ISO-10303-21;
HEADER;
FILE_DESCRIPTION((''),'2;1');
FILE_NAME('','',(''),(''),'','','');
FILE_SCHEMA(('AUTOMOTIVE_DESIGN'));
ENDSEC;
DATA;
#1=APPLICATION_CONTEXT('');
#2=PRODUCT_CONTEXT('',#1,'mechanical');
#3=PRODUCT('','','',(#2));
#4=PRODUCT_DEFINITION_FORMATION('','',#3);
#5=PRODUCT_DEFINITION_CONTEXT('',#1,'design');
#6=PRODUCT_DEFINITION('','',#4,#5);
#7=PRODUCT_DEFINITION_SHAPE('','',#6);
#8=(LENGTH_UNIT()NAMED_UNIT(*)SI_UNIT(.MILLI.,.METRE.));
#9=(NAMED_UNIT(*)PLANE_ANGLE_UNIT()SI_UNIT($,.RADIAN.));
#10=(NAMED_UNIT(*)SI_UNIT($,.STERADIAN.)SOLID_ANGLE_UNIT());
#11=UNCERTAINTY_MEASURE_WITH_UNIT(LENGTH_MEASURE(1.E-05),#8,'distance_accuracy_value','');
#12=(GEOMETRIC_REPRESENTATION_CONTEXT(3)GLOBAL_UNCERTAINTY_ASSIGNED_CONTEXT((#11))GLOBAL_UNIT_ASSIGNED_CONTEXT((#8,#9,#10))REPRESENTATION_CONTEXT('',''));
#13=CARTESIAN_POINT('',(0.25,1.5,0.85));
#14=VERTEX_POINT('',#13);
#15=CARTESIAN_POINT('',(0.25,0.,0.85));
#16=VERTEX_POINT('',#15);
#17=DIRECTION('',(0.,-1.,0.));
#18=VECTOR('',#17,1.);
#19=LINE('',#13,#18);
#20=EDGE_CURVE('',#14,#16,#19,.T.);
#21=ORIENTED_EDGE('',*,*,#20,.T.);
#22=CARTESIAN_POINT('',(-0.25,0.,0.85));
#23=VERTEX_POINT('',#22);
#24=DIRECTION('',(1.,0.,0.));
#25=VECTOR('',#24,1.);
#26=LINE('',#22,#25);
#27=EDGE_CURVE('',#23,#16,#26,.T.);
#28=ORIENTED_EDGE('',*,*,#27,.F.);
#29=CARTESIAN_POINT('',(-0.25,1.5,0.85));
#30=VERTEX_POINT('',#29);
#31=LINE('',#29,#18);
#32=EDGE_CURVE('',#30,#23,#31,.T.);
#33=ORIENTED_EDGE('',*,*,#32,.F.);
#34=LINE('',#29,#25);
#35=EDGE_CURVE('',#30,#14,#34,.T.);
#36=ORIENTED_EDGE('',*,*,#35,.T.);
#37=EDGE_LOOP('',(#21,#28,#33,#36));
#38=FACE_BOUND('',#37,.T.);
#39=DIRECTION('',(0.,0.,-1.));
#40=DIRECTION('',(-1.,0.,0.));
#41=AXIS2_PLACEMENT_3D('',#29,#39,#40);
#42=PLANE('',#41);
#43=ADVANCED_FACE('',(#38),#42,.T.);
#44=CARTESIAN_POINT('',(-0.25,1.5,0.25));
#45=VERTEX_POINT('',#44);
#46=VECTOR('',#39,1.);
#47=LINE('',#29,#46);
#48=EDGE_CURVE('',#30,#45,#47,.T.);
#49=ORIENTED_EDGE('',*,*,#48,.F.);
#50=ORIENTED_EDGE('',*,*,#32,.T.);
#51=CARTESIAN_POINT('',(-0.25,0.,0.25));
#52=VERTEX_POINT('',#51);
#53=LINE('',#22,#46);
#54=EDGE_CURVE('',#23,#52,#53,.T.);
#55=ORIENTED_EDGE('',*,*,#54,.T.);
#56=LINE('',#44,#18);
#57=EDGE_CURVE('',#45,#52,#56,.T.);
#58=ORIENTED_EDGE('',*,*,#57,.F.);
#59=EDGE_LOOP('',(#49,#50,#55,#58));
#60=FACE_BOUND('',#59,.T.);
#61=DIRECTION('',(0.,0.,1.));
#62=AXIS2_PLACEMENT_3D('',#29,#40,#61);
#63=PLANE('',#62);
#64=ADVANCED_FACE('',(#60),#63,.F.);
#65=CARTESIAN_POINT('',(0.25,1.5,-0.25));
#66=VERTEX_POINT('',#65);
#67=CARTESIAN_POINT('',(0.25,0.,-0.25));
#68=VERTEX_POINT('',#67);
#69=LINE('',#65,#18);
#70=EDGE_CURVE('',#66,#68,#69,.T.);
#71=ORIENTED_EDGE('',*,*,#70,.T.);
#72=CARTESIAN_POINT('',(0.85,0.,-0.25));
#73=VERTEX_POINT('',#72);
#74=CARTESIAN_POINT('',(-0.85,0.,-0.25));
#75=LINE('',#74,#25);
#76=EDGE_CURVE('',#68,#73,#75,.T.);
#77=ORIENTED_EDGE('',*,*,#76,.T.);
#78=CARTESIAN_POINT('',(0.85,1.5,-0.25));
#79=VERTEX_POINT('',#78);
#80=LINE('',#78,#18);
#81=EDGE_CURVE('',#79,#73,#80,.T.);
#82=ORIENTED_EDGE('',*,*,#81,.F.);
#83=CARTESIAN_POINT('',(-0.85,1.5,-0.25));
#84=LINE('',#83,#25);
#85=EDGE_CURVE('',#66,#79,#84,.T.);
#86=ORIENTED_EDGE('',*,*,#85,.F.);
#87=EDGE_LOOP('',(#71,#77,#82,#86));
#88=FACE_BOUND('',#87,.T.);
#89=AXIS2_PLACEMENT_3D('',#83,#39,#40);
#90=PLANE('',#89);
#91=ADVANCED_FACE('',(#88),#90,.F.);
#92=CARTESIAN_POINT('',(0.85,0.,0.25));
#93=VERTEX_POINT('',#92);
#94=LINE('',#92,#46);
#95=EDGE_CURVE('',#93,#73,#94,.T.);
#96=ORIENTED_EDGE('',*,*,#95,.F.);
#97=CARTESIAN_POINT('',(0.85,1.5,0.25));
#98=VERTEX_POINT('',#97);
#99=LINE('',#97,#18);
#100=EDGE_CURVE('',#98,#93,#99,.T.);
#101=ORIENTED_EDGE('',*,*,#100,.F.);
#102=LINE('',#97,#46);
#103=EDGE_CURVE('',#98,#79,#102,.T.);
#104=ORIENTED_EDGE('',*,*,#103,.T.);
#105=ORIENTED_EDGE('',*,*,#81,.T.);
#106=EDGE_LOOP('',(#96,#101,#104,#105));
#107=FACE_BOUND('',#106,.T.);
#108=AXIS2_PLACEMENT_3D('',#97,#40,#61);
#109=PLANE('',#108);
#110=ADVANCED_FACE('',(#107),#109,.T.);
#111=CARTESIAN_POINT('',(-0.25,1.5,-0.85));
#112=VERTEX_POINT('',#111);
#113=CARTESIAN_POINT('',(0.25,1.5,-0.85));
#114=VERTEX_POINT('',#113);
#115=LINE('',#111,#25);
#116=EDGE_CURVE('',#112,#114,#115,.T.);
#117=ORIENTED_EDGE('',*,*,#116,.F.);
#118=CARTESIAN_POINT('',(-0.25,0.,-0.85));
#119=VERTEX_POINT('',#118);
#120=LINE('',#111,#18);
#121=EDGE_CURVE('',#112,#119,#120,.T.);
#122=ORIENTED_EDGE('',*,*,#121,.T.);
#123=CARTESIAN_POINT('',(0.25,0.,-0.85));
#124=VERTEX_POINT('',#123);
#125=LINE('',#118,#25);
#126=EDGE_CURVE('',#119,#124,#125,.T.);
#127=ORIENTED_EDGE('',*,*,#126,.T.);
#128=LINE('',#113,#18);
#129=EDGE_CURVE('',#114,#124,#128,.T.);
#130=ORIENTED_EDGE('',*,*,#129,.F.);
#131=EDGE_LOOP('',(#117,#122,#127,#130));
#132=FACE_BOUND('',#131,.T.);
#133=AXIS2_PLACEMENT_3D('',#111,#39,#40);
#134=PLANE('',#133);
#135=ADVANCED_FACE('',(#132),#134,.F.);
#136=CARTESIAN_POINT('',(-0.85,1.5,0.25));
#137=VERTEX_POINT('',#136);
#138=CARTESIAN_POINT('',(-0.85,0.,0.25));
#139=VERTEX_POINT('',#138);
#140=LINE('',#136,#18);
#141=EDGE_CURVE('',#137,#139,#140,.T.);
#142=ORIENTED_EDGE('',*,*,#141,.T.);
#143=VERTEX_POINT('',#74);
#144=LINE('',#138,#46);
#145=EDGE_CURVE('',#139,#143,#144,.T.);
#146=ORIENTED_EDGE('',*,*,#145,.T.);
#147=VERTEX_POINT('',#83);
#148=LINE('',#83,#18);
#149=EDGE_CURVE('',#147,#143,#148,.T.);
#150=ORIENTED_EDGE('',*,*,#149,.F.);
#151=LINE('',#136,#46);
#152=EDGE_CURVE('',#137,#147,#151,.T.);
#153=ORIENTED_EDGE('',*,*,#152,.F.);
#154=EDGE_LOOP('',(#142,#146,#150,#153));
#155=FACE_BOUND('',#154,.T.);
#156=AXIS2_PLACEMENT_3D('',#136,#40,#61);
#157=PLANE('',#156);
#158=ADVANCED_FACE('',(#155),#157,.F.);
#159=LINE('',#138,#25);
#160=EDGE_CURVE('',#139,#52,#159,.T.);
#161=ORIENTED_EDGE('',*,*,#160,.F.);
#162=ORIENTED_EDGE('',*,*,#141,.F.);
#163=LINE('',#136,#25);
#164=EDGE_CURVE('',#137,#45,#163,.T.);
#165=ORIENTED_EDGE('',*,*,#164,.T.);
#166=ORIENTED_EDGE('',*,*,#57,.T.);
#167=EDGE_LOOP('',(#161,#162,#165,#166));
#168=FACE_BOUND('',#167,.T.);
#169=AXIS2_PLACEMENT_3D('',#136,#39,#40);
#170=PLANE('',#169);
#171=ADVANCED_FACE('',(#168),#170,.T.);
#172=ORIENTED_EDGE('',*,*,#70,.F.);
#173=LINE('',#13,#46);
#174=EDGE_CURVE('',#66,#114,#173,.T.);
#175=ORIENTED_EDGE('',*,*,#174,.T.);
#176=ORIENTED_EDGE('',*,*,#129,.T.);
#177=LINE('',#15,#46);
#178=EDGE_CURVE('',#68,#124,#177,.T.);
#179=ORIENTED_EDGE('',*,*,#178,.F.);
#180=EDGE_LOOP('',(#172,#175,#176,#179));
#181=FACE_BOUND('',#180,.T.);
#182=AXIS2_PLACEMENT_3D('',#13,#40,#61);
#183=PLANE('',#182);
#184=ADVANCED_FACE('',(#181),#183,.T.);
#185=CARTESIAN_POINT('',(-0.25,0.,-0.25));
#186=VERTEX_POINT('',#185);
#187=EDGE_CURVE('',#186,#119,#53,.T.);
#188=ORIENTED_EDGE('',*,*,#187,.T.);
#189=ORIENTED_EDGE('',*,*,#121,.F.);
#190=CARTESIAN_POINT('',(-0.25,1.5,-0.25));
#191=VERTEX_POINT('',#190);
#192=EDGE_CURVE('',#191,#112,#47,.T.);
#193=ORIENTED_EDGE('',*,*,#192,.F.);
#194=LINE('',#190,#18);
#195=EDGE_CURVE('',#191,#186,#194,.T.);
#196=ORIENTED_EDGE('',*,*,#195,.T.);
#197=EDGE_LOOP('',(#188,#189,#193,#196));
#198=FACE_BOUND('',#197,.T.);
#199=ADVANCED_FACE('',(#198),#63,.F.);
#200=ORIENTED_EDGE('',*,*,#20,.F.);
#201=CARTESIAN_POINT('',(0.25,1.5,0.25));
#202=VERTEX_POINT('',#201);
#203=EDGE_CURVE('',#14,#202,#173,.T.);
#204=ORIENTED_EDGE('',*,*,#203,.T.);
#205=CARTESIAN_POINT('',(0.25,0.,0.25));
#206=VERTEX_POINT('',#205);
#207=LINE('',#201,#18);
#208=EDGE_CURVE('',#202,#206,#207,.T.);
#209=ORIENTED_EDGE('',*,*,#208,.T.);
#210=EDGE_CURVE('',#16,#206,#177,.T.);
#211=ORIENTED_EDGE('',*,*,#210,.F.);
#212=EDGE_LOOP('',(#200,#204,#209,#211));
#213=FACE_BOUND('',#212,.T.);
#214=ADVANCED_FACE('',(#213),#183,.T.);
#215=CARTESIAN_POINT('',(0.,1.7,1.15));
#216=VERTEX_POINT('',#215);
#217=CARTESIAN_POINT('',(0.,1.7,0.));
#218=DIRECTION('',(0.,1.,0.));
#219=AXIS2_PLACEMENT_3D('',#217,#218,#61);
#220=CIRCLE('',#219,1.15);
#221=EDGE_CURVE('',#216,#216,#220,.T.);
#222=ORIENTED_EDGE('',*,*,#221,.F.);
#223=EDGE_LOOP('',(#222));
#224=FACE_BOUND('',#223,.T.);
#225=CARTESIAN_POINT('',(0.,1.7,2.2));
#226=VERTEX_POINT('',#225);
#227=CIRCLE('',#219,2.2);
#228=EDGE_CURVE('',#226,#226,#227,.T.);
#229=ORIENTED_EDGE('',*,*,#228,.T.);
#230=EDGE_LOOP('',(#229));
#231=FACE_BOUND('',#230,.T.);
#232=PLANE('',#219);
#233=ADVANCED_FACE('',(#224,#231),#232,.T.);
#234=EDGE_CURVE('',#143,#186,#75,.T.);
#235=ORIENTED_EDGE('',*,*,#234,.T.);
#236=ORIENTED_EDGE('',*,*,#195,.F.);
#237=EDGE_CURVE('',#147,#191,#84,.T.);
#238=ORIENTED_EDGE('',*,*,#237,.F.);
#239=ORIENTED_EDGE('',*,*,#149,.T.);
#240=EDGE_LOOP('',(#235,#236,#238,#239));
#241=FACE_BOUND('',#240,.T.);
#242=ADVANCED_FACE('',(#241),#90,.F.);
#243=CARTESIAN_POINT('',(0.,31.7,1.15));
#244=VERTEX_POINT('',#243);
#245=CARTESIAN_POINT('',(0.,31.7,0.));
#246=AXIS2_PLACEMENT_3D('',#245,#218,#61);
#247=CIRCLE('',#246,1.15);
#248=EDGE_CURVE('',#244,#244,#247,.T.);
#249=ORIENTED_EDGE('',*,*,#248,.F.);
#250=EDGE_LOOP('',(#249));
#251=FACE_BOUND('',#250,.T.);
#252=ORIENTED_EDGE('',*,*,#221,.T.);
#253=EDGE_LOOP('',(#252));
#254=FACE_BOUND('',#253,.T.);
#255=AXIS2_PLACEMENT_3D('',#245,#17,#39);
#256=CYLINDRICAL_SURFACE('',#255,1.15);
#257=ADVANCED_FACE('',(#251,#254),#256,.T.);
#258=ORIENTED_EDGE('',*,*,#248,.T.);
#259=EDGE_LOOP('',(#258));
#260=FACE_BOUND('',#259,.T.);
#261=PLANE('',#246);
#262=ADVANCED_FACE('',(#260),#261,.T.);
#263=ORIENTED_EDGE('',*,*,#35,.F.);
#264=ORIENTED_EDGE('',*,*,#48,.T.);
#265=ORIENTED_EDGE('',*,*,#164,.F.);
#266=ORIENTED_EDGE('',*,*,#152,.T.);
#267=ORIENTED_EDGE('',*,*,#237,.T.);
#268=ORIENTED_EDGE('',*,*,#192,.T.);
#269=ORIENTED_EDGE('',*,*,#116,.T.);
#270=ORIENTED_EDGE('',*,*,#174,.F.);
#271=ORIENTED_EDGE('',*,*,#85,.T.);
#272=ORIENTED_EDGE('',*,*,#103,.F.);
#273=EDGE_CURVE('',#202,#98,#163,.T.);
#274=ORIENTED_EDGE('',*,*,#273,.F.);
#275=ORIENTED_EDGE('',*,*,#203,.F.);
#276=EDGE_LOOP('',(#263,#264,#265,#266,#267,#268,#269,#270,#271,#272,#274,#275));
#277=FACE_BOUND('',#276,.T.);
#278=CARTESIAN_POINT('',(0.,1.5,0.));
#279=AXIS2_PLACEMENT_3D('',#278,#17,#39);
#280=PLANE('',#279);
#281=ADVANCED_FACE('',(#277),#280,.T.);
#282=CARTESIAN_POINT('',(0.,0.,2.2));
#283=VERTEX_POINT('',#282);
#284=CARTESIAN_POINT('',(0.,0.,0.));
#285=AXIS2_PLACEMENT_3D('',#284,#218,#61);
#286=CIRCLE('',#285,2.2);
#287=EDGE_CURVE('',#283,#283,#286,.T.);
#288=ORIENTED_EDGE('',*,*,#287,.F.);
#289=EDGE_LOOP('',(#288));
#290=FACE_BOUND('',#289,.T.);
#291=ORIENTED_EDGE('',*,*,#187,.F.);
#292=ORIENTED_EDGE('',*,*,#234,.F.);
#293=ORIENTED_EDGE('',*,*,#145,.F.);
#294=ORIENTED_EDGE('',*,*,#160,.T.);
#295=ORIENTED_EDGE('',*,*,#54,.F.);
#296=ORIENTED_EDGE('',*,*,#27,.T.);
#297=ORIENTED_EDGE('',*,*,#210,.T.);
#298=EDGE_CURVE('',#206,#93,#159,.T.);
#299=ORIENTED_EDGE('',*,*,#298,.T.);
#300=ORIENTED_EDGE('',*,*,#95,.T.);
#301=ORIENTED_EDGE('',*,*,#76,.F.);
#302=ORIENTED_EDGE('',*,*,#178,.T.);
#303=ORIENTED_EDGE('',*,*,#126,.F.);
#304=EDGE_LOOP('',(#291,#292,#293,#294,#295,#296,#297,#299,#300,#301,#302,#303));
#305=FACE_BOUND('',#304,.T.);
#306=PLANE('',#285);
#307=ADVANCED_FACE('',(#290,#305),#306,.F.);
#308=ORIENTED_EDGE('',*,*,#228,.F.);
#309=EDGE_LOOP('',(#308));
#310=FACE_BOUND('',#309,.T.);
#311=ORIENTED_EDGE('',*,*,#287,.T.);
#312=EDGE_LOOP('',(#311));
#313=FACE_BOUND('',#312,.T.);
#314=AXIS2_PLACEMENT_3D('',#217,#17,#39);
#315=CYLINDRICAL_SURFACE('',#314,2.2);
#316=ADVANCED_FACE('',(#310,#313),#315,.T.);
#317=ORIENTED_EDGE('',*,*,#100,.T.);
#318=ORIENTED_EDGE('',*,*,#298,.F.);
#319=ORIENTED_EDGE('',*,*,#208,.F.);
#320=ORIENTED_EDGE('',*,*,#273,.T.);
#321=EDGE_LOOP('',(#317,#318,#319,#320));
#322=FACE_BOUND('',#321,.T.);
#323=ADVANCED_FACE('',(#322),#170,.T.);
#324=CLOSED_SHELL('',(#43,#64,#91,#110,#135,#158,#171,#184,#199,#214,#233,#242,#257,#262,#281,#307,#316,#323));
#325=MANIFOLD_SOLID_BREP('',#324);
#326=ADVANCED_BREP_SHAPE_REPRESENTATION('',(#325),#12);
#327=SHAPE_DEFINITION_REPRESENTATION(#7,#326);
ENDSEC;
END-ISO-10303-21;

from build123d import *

# Parameters (mm, degrees)
SKETCH_1_R          = 2.2
EXTRUDE_1_DEPTH     = 1.7
EXTRUDE_START       = 1.7
SKETCH_1_4_R        = 1.15
EXTRUDE_2_DEPTH     = 30
SKETCH_1_3_W        = 1.7
SKETCH_1_3_H        = 0.5
SKETCH_1_3_W_2      = 0.5
SKETCH_1_3_H_2      = 1.7
CUT_EXTRUDE_1_DEPTH = 1.5


with BuildPart() as part:
    # 草图1 → 凸台-拉伸1 (new body)
    with BuildSketch(Plane(origin=(0, 0, 0), x_dir=(1, 0, 0), z_dir=(0, 1, 0))):
        with Locations(Location((0, 0, 0), (0, 0, 270))):
            Circle(SKETCH_1_R)
    extrude(amount=EXTRUDE_1_DEPTH)

    # 草图1<4> → 凸台-拉伸2 (add)
    with BuildSketch(Plane(origin=(0, 0, 0), x_dir=(1, 0, 0), z_dir=(0, 1, 0)).offset(EXTRUDE_START)):
        with Locations(Location((0, 0, 0), (0, 0, 270))):
            Circle(SKETCH_1_4_R)
    extrude(amount=EXTRUDE_2_DEPTH)

    # 草图1<3> → 切除-拉伸1 (cut)
    with BuildSketch(Plane(origin=(0, 0, 0), x_dir=(1, 0, 0), z_dir=(0, 1, 0))):
        Rectangle(SKETCH_1_3_W, SKETCH_1_3_H)
        Rectangle(SKETCH_1_3_W_2, SKETCH_1_3_H_2)
    extrude(amount=CUT_EXTRUDE_1_DEPTH, mode=Mode.SUBTRACT)


solid = part.part
